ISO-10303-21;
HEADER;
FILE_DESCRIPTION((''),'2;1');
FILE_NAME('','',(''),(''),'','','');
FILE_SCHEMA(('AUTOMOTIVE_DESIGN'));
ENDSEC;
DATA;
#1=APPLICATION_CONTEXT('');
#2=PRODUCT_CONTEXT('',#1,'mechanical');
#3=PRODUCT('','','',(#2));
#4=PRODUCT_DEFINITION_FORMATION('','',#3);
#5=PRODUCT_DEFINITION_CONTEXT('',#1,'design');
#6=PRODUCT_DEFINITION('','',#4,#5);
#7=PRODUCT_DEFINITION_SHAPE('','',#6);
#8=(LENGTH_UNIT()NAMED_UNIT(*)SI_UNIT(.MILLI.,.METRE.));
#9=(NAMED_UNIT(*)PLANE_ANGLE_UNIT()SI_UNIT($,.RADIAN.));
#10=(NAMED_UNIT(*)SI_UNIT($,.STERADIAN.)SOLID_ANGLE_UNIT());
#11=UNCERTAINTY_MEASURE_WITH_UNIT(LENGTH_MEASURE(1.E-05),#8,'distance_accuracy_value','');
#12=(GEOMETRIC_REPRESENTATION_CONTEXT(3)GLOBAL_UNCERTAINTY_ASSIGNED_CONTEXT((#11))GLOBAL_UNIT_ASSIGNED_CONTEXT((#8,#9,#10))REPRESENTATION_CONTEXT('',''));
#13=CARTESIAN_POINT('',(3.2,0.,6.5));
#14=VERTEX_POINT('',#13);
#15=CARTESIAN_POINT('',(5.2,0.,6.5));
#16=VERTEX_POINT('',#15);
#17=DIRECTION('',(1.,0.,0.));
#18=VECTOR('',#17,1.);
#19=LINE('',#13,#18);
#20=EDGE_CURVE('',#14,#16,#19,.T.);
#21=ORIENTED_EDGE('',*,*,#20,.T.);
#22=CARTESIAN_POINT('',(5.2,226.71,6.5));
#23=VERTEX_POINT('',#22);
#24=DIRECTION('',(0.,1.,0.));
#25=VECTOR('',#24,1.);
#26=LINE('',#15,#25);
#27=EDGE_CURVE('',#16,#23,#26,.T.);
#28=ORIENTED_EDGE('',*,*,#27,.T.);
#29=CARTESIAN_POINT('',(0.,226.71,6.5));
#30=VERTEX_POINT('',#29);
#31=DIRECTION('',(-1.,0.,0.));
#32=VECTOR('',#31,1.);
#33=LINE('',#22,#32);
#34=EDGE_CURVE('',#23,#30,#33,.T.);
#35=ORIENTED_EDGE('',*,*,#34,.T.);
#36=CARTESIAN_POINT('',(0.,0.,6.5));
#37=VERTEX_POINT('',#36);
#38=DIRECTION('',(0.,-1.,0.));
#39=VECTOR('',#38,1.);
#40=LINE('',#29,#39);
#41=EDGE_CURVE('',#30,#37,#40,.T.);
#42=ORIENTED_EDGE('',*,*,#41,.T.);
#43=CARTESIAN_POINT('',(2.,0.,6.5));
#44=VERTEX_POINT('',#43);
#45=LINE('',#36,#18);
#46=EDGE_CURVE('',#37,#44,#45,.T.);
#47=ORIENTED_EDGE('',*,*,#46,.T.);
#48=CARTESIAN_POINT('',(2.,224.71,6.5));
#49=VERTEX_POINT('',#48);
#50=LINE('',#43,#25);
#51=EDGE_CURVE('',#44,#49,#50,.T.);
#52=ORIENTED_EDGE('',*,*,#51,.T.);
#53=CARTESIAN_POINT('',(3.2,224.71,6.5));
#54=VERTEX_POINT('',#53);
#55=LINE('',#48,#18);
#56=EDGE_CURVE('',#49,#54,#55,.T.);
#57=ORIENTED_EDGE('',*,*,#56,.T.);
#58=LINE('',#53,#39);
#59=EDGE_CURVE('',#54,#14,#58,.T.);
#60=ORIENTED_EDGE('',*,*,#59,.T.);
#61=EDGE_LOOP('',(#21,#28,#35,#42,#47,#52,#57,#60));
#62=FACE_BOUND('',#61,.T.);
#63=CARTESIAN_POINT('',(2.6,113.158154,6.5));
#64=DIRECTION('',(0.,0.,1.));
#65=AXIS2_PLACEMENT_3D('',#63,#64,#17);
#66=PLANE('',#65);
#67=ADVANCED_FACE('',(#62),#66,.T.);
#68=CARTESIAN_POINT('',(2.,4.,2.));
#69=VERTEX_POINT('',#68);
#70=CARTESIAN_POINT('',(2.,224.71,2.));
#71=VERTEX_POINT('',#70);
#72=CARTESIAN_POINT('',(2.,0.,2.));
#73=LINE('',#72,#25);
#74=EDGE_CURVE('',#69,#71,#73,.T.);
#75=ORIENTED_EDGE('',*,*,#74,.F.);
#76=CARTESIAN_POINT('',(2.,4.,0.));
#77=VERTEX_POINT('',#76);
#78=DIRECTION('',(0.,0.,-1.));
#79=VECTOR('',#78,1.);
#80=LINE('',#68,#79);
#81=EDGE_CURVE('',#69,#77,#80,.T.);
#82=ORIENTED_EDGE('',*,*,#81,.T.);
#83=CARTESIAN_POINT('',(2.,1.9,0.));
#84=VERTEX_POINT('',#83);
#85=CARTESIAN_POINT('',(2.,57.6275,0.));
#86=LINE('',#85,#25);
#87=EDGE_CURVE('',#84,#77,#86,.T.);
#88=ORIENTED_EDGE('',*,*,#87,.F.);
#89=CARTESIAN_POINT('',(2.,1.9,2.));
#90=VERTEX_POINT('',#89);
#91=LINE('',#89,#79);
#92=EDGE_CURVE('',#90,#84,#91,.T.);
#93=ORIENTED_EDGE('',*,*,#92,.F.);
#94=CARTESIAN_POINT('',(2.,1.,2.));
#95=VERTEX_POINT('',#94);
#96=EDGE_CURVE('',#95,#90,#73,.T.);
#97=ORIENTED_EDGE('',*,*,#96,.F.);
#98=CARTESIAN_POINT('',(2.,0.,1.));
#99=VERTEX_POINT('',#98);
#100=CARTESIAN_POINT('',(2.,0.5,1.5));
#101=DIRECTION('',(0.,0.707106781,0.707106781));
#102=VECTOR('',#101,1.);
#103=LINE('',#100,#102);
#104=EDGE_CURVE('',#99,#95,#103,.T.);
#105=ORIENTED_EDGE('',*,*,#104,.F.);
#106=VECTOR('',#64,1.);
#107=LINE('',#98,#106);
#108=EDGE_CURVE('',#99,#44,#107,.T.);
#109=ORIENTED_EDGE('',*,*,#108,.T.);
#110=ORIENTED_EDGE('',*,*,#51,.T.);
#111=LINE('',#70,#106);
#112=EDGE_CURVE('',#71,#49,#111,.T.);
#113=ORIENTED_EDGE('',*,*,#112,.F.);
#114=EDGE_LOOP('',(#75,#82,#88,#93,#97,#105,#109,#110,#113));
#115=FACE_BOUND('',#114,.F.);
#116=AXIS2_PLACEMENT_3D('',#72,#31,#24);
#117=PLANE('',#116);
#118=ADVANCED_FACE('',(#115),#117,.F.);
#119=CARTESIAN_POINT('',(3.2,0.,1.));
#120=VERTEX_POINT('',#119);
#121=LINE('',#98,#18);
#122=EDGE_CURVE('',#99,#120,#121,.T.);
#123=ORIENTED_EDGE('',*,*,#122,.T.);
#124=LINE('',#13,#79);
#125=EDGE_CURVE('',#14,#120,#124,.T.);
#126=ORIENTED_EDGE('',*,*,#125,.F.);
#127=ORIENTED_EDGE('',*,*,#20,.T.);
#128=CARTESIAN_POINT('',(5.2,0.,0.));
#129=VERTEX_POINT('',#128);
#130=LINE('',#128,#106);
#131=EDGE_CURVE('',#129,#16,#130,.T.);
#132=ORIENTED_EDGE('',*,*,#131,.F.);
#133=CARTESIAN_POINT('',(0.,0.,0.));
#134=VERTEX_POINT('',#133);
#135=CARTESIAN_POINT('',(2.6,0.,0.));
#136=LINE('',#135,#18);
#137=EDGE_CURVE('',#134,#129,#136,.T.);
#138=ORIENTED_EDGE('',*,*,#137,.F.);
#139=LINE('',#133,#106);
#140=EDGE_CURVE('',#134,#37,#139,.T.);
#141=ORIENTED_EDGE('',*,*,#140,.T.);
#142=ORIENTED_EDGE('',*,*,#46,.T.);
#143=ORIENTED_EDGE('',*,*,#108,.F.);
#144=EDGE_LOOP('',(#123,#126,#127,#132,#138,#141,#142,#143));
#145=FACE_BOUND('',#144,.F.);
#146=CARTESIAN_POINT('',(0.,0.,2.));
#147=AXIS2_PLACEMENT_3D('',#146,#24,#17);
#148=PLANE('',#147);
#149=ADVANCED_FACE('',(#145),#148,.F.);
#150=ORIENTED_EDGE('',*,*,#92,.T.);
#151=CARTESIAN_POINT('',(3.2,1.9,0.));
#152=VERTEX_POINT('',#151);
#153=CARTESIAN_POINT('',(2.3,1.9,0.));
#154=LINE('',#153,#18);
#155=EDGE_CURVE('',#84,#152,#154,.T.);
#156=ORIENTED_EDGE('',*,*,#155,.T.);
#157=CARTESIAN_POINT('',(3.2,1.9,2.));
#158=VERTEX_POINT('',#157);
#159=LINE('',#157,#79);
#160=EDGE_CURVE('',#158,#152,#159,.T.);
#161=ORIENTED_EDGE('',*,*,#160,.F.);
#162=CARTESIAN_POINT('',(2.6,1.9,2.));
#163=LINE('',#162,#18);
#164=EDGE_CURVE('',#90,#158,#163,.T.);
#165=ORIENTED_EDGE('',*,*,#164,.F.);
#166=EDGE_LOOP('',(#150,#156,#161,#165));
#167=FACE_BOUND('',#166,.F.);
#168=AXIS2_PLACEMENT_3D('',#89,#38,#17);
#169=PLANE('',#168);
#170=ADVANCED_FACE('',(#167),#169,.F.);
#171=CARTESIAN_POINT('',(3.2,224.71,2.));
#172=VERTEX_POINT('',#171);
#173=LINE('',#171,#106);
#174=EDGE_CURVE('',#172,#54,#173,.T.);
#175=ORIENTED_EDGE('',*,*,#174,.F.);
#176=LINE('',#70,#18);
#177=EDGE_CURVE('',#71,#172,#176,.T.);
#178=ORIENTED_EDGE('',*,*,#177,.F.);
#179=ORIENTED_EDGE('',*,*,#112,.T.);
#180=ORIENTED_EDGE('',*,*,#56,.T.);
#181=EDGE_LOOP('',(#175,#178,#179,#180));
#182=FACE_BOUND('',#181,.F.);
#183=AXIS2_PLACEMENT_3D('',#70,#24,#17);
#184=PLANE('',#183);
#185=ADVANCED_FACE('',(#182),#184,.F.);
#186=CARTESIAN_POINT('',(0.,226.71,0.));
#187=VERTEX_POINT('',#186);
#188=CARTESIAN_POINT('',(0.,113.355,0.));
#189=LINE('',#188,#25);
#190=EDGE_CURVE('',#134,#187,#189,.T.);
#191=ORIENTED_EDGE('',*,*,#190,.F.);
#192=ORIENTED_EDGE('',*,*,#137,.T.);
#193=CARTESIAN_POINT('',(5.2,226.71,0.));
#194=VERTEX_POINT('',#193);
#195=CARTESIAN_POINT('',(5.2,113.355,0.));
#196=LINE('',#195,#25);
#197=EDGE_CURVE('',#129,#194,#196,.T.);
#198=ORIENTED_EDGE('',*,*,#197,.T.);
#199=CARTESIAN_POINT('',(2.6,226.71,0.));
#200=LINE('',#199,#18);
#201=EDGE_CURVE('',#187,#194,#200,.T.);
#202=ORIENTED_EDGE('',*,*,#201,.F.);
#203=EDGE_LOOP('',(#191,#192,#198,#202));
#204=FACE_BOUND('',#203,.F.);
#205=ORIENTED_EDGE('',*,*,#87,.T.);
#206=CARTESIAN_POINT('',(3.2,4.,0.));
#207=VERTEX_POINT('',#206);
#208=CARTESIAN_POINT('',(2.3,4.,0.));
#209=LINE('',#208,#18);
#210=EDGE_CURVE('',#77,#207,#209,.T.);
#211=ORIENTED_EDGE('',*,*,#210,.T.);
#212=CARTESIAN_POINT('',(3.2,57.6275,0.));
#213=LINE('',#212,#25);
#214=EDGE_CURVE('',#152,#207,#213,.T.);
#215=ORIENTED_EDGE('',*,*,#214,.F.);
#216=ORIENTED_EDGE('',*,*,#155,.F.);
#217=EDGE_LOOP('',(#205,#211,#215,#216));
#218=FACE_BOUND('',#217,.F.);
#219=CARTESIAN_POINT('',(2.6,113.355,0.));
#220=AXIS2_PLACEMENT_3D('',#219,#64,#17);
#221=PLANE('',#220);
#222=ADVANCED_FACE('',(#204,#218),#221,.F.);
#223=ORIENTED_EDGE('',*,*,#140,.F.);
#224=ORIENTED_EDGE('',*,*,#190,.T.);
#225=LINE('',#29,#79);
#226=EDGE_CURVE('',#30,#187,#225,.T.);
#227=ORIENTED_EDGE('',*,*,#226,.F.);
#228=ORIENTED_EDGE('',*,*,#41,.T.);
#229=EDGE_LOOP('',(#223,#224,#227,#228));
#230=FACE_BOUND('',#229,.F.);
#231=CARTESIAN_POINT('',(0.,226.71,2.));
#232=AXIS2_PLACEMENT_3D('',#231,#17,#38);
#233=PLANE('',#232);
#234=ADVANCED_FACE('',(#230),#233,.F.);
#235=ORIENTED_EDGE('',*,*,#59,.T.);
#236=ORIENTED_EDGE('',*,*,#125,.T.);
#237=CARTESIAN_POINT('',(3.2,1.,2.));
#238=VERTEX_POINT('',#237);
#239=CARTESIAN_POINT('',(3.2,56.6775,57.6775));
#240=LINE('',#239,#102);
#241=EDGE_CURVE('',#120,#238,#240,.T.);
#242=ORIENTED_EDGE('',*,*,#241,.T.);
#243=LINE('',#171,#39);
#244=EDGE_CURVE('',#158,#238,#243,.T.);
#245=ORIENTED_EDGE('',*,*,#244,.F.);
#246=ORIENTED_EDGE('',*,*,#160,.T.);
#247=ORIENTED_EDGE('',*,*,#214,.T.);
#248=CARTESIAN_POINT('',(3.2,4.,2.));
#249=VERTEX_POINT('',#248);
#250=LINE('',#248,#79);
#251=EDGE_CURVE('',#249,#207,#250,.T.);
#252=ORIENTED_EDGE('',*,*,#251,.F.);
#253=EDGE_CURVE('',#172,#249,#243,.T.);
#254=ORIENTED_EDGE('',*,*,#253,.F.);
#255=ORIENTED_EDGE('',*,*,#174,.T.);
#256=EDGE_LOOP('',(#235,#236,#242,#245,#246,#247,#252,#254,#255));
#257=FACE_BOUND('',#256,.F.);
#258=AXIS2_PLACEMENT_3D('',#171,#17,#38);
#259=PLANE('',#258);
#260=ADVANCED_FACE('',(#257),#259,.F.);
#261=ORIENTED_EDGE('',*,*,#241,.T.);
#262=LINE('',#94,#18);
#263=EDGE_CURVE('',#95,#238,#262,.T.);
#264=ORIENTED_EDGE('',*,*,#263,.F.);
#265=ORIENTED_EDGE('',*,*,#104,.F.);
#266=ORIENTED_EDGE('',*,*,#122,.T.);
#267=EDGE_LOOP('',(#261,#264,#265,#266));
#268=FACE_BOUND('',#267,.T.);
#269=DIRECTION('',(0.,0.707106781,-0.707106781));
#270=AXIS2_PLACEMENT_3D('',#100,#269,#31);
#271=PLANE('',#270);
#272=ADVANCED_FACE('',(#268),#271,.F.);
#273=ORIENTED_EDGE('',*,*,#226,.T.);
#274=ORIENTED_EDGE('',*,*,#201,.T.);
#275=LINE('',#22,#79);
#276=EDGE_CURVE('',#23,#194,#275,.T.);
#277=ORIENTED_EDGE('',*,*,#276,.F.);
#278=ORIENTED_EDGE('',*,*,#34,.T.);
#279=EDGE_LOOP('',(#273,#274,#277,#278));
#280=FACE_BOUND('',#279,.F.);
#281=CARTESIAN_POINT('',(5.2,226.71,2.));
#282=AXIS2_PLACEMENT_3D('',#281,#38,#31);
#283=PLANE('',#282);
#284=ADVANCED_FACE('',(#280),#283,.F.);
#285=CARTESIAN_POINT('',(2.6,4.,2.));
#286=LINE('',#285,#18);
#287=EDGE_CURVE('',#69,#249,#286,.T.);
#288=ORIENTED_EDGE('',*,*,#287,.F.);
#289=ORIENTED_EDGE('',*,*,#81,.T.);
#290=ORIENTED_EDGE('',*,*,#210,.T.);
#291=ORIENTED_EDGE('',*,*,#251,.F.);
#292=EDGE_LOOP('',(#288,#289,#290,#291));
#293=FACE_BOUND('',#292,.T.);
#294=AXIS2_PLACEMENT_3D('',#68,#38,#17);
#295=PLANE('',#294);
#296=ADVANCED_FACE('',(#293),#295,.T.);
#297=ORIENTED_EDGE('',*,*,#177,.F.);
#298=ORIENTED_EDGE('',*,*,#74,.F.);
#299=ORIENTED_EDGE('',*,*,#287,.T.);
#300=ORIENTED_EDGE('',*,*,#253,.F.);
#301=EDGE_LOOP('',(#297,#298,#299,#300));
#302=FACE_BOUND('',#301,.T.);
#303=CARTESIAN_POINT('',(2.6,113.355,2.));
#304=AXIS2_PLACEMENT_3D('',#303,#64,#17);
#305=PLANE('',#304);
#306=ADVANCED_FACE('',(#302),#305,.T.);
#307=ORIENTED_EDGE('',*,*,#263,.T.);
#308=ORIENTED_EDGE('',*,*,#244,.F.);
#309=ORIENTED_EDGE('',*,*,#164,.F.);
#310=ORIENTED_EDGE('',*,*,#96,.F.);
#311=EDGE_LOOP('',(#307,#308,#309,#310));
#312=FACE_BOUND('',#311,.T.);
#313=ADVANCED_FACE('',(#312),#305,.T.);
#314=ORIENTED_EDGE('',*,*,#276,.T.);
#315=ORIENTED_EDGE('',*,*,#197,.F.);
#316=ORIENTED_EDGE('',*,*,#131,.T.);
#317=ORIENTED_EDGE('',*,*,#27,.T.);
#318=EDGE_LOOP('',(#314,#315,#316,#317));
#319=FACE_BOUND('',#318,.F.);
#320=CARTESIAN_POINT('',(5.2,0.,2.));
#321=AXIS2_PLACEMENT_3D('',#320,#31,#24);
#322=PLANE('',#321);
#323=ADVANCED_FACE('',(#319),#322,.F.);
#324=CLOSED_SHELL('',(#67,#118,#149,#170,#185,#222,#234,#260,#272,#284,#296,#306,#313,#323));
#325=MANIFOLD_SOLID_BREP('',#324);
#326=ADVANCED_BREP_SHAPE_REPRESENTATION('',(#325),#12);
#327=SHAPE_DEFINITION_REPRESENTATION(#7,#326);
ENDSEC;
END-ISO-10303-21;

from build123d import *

# Parameters (mm, degrees)
F0_W     = 5.2
F0_H     = 226.71
F1_DEPTH = 2
F3_DEPTH = 4.5
F4_W     = 1.2
F4_H     = 2.1
F5_DEPTH = 25
F6_SIZE  = 1


with BuildPart() as f1:
    # F0 (on Top) → F1 (new body)
    with BuildSketch(Plane.XY):
        with Locations((2.6, 113.355)):
            Rectangle(F0_W, F0_H)
    extrude(amount=F1_DEPTH)

    # F2 (on face) → F3 (join)
    with BuildSketch(Plane.XY.offset(2)):
        Polygon((0, 226.71), (0, 0), (2, 0), (2, 224.71), (3.2, 224.71), (3.2, 0), (5.2, 0), (5.2, 226.71), align=None)
    extrude(amount=F3_DEPTH)

    # F4 (on face) → F5 (cut)
    with BuildSketch(Plane.XY.offset(2)):
        with Locations((2.6, 2.95)):
            Rectangle(F4_W, F4_H)
    extrude(amount=-F5_DEPTH, mode=Mode.SUBTRACT)

    # F6
    f6_edges = [f1.edges().sort_by_distance(p)[0] for p in [
        (2.6, 0, 2),
    ]]
    chamfer(f6_edges, length=F6_SIZE)


solid = f1.part
